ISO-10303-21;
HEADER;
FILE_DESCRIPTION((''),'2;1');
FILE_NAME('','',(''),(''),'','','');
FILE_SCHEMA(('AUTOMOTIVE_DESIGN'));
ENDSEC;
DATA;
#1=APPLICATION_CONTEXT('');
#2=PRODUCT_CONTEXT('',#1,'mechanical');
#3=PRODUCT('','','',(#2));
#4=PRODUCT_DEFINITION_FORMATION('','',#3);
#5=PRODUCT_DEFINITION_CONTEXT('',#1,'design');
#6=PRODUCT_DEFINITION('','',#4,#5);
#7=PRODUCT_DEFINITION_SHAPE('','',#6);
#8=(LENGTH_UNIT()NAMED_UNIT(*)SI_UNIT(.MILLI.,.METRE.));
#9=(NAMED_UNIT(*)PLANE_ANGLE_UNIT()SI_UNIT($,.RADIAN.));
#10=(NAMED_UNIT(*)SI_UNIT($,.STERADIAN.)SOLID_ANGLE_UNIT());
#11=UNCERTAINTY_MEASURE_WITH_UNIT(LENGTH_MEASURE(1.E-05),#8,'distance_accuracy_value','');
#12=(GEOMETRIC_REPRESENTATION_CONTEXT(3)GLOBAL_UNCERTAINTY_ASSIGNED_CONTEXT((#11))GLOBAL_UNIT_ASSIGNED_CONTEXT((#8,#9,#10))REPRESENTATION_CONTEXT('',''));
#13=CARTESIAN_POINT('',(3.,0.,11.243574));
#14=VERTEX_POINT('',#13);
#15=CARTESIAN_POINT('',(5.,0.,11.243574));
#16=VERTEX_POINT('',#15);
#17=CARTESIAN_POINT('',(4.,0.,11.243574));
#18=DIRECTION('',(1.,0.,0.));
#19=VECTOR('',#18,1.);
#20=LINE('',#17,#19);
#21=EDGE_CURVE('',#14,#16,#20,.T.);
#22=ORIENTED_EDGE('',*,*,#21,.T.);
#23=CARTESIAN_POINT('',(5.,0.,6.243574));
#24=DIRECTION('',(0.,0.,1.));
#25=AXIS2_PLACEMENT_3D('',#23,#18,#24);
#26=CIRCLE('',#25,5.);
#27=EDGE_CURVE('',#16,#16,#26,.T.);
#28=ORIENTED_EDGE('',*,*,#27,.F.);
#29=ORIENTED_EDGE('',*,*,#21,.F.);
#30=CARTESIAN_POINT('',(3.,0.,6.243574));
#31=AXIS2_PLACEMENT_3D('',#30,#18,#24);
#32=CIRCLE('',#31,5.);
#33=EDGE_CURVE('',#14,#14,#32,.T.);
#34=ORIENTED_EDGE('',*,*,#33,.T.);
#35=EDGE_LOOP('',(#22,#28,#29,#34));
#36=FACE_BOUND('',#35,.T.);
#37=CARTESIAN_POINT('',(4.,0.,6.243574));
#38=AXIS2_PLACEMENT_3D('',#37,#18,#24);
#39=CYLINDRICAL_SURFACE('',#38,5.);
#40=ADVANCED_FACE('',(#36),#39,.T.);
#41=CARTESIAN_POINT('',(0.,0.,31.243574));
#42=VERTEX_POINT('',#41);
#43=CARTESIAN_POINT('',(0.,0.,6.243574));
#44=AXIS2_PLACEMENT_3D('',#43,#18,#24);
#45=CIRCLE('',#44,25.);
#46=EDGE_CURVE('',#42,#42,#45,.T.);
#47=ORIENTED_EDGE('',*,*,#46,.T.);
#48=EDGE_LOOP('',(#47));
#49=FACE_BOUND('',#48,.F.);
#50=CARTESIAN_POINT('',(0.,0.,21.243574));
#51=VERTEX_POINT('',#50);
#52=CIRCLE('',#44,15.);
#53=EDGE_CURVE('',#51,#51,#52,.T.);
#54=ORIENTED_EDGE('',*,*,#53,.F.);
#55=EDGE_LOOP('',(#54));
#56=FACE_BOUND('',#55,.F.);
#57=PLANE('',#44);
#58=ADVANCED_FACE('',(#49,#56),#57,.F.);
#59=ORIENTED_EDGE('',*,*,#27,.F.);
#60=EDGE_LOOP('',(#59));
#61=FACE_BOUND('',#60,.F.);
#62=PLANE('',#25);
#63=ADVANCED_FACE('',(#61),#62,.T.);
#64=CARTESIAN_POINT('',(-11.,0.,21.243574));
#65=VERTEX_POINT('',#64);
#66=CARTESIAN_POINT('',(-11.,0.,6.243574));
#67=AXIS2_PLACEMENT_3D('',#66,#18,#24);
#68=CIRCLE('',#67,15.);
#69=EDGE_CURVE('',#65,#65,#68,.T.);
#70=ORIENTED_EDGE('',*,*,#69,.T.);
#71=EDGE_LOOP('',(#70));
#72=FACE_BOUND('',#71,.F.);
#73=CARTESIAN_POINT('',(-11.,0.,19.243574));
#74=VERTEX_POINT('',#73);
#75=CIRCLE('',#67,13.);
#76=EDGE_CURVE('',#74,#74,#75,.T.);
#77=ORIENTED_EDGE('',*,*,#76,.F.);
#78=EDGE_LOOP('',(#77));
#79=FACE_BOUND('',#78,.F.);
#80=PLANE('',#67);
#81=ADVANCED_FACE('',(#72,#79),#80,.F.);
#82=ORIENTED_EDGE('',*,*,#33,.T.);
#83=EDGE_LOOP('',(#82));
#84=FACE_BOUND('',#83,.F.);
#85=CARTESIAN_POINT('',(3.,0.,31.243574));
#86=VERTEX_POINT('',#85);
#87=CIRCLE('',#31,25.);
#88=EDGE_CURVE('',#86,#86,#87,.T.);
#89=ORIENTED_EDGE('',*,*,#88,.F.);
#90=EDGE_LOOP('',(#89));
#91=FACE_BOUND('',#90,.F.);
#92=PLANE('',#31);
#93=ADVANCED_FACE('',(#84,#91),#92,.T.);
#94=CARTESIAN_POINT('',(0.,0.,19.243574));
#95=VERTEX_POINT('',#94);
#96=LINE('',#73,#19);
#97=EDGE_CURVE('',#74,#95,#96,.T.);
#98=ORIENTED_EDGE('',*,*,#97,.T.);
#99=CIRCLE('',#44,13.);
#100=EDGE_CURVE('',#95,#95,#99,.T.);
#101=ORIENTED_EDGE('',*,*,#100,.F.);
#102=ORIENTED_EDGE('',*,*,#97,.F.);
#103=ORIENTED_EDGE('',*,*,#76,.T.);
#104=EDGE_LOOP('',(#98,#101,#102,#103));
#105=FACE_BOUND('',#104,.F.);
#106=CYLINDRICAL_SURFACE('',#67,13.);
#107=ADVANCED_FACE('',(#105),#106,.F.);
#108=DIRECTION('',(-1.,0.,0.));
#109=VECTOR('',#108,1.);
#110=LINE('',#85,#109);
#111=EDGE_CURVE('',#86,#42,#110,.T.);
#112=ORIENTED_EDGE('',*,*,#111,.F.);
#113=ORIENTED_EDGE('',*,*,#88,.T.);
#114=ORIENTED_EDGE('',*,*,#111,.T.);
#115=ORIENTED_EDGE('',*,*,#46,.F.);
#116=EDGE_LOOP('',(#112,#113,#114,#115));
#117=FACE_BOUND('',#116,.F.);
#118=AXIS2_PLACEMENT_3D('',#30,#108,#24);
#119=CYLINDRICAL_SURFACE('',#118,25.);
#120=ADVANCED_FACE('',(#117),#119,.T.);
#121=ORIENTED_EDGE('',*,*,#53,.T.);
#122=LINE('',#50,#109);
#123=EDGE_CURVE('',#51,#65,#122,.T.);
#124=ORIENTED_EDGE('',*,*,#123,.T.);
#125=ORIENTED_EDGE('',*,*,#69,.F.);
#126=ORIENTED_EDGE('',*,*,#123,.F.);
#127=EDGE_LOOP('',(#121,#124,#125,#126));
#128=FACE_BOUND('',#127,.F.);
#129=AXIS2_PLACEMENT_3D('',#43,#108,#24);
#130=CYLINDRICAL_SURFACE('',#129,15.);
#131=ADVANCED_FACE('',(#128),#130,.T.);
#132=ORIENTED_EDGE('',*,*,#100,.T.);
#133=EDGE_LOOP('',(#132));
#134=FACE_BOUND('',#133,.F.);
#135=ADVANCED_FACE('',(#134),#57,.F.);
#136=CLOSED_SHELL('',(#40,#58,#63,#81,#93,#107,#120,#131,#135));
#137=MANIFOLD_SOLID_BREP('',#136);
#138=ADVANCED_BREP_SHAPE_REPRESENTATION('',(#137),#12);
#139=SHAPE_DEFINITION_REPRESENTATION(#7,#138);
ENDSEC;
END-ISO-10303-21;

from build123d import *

# Parameters (mm, degrees)
F0_W = 2
F0_H = 5


with BuildPart() as f1:
    # F0 (on Front) → F1 (revolve)
    with BuildSketch(Plane.XZ):
        Polygon((3, 31.243574), (0, 31.243574), (0, 29.593574), (1.65, 29.593574), (1.65, 28.043574), (1.65, 24.292096), (1.65, 22.893574), (0, 22.893574), (0, 22.424051), (0, 21.243574), (0, 20.385211), (0, 19.243574), (0, 18.385211), (0, 18.346371), (0, 6.243574), (3, 6.243574), (3, 11.243574), align=None)
        Polygon((1.65, 29.593574), (0, 29.593574), (0, 22.893574), (1.65, 22.893574), (1.65, 24.292096), (1.65, 28.043574), align=None)
        with Locations((4, 8.743574)):
            Rectangle(F0_W, F0_H)
        Polygon((0, 20.385211), (0, 21.243574), (-0.76535, 21.243574), (-11, 21.243574), (-11, 20.385211), (-11, 19.243574), (0, 19.243574), align=None)
    revolve(axis=Axis((4, 0, 6.243574), (1, 0, 0)))


solid = f1.part
